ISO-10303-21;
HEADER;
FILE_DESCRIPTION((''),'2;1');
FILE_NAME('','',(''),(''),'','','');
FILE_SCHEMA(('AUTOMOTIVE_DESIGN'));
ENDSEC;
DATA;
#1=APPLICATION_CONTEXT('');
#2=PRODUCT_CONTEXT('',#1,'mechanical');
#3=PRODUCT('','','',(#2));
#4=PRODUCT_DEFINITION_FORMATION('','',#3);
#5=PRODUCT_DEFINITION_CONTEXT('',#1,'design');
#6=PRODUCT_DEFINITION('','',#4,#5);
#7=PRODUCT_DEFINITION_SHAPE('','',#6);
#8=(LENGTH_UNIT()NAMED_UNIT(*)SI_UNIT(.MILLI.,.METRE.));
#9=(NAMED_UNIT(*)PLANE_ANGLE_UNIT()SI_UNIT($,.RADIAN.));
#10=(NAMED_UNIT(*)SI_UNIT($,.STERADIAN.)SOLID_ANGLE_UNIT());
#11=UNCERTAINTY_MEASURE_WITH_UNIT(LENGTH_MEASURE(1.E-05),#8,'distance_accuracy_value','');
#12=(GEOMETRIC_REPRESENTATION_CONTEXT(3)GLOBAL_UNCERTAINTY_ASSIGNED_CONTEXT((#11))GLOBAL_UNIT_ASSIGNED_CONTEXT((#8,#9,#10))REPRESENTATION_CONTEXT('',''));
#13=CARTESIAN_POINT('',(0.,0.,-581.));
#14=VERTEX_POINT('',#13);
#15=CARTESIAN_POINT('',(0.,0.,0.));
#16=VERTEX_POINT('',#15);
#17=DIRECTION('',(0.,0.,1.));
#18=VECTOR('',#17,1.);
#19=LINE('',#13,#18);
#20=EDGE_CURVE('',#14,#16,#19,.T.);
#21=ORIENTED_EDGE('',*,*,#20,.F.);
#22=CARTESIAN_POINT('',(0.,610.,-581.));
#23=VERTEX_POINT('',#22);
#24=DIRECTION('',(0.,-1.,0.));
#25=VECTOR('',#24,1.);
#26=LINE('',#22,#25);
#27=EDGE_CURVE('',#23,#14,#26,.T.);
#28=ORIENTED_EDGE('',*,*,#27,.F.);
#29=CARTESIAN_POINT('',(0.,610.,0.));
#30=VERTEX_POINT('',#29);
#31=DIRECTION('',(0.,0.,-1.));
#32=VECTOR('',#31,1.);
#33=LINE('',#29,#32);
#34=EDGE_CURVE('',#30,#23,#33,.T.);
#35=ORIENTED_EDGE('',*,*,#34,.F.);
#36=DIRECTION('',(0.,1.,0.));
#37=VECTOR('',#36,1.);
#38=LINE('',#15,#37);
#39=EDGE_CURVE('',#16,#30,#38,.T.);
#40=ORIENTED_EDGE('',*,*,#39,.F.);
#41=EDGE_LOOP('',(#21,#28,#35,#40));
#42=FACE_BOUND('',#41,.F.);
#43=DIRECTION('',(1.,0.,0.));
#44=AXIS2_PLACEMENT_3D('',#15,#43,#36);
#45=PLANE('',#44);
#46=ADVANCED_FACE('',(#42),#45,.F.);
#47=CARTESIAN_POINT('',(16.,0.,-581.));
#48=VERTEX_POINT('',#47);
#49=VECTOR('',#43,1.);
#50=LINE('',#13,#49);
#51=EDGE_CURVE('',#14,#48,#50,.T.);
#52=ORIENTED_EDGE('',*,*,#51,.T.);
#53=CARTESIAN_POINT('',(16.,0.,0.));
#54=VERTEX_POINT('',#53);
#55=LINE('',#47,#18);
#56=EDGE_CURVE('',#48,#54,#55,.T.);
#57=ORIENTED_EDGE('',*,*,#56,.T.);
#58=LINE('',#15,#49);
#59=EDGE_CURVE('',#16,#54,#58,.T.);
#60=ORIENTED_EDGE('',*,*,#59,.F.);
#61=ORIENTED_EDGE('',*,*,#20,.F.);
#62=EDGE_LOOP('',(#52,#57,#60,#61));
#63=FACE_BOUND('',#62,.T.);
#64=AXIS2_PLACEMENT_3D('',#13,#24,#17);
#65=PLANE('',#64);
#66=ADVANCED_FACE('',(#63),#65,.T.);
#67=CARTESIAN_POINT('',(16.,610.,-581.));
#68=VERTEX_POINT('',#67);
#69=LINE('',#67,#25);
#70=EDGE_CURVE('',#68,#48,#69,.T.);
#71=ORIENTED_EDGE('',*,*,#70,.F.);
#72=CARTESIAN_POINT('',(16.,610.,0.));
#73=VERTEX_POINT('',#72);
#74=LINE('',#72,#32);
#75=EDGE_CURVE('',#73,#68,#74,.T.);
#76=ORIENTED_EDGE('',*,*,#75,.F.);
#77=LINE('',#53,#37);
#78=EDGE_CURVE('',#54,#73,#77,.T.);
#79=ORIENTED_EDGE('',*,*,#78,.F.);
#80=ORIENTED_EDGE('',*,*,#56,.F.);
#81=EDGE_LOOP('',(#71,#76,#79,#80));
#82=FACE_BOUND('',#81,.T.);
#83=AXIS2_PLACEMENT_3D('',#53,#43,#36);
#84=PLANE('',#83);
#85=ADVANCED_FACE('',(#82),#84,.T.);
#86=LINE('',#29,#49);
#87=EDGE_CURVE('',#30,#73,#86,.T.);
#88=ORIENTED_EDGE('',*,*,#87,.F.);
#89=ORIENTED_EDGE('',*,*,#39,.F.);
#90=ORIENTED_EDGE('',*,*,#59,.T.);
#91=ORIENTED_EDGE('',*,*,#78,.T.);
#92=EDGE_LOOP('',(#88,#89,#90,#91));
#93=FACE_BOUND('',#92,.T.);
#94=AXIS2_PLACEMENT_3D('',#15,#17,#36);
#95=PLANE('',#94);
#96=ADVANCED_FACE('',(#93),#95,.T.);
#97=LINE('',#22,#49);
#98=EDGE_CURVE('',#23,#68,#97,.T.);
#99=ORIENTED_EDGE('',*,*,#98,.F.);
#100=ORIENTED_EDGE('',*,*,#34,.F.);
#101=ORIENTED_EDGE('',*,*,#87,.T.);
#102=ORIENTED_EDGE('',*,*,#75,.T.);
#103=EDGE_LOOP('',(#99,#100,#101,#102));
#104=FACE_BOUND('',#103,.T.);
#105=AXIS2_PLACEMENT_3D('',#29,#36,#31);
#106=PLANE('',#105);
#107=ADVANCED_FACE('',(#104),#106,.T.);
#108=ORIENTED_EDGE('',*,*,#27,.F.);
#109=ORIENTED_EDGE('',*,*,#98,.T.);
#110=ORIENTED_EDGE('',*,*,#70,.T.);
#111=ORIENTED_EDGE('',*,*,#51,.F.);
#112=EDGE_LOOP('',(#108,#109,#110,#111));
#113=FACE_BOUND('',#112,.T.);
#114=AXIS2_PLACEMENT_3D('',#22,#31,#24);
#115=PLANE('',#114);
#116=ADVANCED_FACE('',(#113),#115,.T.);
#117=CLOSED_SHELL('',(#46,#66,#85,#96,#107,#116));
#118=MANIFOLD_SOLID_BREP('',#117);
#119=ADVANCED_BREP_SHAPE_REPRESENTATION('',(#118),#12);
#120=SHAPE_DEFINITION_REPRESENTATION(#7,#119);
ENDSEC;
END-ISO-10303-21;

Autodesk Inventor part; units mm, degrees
ref_plane "YZ Plane" through (0, 0, 0) normal (1, 0, 0) x (0, 1, 0)
ref_plane "XZ Plane" through (0, 0, 0) normal (0, 1, 0) x (-1, 0, 0)
ref_plane "XY Plane" through (0, 0, 0) normal (0, 0, 1) x (1, 0, 0)
sketch "Sketch1" plane through (0, 0, 0) normal (1, 0, 0) x (0, 1, 0)
  line L0 (0, 0) -> (610, 0)
  line L1 (610, 0) -> (610, -581)
  line L2 (610, -581) -> (0, -581)
  line L3 (0, -581) -> (0, 0)
  dimension "d0" = 610
  dimension "d1" = 581
extrude "Extrusion1" add sketch "Sketch1" along normal blind 16
properties part number "lateralvertical"
